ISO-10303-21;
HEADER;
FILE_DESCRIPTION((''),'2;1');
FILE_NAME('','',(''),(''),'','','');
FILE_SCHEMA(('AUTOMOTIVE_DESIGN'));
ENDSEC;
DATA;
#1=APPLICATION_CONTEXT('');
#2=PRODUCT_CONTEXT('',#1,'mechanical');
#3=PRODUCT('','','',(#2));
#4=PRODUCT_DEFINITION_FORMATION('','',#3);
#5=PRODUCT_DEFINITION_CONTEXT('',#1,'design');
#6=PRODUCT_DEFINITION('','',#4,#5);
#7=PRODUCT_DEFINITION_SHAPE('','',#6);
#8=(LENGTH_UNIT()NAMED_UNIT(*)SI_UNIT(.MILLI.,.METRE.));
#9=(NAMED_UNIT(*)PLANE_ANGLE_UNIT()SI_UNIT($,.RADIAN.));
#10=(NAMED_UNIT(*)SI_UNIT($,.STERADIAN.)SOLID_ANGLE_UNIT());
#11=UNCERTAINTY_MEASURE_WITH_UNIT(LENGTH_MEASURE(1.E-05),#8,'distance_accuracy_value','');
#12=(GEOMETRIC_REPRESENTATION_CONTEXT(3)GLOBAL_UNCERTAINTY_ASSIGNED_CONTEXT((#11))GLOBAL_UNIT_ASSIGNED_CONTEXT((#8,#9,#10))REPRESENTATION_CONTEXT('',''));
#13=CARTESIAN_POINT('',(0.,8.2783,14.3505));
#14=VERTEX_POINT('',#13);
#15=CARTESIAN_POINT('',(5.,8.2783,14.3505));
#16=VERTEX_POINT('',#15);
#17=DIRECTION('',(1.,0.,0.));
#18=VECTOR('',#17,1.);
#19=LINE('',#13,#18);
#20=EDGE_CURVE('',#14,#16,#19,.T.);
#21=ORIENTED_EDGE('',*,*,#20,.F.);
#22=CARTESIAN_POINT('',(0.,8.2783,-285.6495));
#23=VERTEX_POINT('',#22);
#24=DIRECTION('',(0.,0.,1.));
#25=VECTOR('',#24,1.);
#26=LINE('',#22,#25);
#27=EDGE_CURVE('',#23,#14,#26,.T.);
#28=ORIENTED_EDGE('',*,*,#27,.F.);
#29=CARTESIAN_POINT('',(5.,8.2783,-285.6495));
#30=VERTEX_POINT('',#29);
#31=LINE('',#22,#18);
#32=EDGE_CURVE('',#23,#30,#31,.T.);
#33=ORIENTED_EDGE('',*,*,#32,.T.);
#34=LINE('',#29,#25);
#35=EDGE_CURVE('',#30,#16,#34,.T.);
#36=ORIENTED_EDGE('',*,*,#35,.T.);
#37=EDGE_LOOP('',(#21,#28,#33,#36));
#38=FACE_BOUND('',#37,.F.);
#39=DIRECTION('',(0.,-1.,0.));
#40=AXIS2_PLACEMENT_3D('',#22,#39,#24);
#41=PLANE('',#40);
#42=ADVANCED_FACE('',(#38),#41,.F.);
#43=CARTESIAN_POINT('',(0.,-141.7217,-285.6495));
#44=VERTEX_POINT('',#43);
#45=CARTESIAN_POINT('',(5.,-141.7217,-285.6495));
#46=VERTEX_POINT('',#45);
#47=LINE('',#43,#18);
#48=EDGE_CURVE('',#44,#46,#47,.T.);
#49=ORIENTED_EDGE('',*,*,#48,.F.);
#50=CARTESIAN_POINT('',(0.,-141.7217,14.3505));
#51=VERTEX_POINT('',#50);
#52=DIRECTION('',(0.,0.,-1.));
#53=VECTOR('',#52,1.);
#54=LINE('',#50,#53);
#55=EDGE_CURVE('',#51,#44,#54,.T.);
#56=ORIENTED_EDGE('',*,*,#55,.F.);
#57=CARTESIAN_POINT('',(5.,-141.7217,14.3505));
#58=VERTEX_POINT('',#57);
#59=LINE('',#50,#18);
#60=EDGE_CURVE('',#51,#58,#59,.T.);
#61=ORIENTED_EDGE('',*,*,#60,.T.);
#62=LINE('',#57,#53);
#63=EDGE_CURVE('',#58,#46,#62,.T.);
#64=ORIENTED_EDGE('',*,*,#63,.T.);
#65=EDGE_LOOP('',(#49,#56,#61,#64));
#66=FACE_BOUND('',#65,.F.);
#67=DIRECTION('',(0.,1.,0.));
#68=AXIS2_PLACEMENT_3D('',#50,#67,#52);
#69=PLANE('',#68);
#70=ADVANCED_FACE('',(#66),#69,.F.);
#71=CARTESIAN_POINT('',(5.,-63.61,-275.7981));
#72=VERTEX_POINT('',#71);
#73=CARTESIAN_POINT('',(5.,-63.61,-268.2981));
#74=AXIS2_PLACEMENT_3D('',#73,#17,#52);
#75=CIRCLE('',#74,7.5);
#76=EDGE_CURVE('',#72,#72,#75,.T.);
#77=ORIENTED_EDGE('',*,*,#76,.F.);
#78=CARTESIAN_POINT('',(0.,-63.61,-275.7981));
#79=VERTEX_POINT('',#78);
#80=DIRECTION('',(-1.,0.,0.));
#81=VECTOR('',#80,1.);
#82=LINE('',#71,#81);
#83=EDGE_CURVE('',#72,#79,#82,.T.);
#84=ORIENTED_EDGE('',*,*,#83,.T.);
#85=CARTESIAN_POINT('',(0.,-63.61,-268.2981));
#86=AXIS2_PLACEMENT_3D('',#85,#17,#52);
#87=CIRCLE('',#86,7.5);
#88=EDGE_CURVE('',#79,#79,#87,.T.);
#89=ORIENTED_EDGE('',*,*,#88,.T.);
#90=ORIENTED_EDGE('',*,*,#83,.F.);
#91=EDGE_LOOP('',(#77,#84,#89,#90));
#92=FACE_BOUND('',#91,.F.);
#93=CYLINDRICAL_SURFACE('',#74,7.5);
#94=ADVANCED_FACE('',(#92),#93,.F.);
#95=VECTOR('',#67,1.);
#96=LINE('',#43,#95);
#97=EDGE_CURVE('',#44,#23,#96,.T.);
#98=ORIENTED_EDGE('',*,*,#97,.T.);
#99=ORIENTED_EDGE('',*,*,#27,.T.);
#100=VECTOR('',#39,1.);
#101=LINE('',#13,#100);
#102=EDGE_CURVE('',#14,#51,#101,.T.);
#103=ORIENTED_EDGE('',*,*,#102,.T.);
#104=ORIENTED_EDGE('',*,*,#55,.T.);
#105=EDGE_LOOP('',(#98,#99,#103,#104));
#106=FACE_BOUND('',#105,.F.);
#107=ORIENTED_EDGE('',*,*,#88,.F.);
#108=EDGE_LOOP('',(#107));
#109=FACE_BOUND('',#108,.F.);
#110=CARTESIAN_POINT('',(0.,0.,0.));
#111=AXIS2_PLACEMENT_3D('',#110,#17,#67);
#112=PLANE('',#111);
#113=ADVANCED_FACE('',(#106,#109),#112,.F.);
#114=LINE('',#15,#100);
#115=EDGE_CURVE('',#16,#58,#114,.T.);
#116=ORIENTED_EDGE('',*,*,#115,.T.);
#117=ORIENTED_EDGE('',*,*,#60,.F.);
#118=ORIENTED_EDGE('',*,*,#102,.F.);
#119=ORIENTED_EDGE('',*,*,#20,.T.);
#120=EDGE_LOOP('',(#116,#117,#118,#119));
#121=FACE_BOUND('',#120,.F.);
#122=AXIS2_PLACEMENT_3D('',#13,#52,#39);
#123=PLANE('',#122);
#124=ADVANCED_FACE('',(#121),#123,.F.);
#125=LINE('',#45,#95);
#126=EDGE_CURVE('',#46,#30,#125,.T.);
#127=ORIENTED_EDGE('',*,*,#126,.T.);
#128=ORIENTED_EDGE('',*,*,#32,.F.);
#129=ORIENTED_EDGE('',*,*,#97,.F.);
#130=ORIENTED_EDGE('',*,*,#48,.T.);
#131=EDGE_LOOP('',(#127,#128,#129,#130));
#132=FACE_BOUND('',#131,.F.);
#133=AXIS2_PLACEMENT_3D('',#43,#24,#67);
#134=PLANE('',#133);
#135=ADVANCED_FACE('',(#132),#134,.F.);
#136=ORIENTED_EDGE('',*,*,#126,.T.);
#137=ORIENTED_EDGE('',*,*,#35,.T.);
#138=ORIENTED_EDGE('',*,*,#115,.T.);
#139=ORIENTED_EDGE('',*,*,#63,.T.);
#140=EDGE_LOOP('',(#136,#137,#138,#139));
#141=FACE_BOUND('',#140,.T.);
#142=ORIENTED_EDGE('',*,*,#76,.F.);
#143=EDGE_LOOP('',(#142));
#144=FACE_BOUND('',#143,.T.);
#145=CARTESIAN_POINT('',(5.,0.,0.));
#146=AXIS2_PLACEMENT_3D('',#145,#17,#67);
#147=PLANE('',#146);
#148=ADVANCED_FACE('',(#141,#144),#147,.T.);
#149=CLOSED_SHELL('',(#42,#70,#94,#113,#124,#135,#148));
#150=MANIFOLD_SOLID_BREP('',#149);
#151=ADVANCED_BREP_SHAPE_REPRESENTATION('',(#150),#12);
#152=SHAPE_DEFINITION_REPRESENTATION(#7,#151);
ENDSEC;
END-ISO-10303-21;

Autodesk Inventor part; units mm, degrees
ref_plane "YZ Plane" through (0, 0, 0) normal (1, 0, 0) x (0, 1, 0)
ref_plane "XZ Plane" through (0, 0, 0) normal (0, 1, 0) x (-1, 0, 0)
ref_plane "XY Plane" through (0, 0, 0) normal (0, 0, 1) x (1, 0, 0)
sketch "Sketch1" plane through (0, 0, 0) normal (1, 0, 0) x (0, 1, 0)
  line L0 (8.2783, 14.3505) -> (-141.7217, 14.3505)
  line L1 (-141.7217, 14.3505) -> (-141.7217, -285.6495)
  line L2 (-141.7217, -285.6495) -> (8.2783, -285.6495)
  line L3 (8.2783, -285.6495) -> (8.2783, 14.3505)
  point P0 (0, 0)
  dimension "d0" = 150
  dimension "d1" = 300
extrude "Extrusion1" add sketch "Sketch1" along normal blind 5
sketch "Sketch2" plane through (5, 0, 0) normal (1, 0, 0) x (0, 0, -1)
  circle A0 centre (268.2981, -63.61) radius 7.5
  point P0 (0, 0)
  dimension "d4" = 15
extrude "Extrusion2" cut sketch "Sketch2" along normal through all both and the other way through all
properties part number "Uptop2"
